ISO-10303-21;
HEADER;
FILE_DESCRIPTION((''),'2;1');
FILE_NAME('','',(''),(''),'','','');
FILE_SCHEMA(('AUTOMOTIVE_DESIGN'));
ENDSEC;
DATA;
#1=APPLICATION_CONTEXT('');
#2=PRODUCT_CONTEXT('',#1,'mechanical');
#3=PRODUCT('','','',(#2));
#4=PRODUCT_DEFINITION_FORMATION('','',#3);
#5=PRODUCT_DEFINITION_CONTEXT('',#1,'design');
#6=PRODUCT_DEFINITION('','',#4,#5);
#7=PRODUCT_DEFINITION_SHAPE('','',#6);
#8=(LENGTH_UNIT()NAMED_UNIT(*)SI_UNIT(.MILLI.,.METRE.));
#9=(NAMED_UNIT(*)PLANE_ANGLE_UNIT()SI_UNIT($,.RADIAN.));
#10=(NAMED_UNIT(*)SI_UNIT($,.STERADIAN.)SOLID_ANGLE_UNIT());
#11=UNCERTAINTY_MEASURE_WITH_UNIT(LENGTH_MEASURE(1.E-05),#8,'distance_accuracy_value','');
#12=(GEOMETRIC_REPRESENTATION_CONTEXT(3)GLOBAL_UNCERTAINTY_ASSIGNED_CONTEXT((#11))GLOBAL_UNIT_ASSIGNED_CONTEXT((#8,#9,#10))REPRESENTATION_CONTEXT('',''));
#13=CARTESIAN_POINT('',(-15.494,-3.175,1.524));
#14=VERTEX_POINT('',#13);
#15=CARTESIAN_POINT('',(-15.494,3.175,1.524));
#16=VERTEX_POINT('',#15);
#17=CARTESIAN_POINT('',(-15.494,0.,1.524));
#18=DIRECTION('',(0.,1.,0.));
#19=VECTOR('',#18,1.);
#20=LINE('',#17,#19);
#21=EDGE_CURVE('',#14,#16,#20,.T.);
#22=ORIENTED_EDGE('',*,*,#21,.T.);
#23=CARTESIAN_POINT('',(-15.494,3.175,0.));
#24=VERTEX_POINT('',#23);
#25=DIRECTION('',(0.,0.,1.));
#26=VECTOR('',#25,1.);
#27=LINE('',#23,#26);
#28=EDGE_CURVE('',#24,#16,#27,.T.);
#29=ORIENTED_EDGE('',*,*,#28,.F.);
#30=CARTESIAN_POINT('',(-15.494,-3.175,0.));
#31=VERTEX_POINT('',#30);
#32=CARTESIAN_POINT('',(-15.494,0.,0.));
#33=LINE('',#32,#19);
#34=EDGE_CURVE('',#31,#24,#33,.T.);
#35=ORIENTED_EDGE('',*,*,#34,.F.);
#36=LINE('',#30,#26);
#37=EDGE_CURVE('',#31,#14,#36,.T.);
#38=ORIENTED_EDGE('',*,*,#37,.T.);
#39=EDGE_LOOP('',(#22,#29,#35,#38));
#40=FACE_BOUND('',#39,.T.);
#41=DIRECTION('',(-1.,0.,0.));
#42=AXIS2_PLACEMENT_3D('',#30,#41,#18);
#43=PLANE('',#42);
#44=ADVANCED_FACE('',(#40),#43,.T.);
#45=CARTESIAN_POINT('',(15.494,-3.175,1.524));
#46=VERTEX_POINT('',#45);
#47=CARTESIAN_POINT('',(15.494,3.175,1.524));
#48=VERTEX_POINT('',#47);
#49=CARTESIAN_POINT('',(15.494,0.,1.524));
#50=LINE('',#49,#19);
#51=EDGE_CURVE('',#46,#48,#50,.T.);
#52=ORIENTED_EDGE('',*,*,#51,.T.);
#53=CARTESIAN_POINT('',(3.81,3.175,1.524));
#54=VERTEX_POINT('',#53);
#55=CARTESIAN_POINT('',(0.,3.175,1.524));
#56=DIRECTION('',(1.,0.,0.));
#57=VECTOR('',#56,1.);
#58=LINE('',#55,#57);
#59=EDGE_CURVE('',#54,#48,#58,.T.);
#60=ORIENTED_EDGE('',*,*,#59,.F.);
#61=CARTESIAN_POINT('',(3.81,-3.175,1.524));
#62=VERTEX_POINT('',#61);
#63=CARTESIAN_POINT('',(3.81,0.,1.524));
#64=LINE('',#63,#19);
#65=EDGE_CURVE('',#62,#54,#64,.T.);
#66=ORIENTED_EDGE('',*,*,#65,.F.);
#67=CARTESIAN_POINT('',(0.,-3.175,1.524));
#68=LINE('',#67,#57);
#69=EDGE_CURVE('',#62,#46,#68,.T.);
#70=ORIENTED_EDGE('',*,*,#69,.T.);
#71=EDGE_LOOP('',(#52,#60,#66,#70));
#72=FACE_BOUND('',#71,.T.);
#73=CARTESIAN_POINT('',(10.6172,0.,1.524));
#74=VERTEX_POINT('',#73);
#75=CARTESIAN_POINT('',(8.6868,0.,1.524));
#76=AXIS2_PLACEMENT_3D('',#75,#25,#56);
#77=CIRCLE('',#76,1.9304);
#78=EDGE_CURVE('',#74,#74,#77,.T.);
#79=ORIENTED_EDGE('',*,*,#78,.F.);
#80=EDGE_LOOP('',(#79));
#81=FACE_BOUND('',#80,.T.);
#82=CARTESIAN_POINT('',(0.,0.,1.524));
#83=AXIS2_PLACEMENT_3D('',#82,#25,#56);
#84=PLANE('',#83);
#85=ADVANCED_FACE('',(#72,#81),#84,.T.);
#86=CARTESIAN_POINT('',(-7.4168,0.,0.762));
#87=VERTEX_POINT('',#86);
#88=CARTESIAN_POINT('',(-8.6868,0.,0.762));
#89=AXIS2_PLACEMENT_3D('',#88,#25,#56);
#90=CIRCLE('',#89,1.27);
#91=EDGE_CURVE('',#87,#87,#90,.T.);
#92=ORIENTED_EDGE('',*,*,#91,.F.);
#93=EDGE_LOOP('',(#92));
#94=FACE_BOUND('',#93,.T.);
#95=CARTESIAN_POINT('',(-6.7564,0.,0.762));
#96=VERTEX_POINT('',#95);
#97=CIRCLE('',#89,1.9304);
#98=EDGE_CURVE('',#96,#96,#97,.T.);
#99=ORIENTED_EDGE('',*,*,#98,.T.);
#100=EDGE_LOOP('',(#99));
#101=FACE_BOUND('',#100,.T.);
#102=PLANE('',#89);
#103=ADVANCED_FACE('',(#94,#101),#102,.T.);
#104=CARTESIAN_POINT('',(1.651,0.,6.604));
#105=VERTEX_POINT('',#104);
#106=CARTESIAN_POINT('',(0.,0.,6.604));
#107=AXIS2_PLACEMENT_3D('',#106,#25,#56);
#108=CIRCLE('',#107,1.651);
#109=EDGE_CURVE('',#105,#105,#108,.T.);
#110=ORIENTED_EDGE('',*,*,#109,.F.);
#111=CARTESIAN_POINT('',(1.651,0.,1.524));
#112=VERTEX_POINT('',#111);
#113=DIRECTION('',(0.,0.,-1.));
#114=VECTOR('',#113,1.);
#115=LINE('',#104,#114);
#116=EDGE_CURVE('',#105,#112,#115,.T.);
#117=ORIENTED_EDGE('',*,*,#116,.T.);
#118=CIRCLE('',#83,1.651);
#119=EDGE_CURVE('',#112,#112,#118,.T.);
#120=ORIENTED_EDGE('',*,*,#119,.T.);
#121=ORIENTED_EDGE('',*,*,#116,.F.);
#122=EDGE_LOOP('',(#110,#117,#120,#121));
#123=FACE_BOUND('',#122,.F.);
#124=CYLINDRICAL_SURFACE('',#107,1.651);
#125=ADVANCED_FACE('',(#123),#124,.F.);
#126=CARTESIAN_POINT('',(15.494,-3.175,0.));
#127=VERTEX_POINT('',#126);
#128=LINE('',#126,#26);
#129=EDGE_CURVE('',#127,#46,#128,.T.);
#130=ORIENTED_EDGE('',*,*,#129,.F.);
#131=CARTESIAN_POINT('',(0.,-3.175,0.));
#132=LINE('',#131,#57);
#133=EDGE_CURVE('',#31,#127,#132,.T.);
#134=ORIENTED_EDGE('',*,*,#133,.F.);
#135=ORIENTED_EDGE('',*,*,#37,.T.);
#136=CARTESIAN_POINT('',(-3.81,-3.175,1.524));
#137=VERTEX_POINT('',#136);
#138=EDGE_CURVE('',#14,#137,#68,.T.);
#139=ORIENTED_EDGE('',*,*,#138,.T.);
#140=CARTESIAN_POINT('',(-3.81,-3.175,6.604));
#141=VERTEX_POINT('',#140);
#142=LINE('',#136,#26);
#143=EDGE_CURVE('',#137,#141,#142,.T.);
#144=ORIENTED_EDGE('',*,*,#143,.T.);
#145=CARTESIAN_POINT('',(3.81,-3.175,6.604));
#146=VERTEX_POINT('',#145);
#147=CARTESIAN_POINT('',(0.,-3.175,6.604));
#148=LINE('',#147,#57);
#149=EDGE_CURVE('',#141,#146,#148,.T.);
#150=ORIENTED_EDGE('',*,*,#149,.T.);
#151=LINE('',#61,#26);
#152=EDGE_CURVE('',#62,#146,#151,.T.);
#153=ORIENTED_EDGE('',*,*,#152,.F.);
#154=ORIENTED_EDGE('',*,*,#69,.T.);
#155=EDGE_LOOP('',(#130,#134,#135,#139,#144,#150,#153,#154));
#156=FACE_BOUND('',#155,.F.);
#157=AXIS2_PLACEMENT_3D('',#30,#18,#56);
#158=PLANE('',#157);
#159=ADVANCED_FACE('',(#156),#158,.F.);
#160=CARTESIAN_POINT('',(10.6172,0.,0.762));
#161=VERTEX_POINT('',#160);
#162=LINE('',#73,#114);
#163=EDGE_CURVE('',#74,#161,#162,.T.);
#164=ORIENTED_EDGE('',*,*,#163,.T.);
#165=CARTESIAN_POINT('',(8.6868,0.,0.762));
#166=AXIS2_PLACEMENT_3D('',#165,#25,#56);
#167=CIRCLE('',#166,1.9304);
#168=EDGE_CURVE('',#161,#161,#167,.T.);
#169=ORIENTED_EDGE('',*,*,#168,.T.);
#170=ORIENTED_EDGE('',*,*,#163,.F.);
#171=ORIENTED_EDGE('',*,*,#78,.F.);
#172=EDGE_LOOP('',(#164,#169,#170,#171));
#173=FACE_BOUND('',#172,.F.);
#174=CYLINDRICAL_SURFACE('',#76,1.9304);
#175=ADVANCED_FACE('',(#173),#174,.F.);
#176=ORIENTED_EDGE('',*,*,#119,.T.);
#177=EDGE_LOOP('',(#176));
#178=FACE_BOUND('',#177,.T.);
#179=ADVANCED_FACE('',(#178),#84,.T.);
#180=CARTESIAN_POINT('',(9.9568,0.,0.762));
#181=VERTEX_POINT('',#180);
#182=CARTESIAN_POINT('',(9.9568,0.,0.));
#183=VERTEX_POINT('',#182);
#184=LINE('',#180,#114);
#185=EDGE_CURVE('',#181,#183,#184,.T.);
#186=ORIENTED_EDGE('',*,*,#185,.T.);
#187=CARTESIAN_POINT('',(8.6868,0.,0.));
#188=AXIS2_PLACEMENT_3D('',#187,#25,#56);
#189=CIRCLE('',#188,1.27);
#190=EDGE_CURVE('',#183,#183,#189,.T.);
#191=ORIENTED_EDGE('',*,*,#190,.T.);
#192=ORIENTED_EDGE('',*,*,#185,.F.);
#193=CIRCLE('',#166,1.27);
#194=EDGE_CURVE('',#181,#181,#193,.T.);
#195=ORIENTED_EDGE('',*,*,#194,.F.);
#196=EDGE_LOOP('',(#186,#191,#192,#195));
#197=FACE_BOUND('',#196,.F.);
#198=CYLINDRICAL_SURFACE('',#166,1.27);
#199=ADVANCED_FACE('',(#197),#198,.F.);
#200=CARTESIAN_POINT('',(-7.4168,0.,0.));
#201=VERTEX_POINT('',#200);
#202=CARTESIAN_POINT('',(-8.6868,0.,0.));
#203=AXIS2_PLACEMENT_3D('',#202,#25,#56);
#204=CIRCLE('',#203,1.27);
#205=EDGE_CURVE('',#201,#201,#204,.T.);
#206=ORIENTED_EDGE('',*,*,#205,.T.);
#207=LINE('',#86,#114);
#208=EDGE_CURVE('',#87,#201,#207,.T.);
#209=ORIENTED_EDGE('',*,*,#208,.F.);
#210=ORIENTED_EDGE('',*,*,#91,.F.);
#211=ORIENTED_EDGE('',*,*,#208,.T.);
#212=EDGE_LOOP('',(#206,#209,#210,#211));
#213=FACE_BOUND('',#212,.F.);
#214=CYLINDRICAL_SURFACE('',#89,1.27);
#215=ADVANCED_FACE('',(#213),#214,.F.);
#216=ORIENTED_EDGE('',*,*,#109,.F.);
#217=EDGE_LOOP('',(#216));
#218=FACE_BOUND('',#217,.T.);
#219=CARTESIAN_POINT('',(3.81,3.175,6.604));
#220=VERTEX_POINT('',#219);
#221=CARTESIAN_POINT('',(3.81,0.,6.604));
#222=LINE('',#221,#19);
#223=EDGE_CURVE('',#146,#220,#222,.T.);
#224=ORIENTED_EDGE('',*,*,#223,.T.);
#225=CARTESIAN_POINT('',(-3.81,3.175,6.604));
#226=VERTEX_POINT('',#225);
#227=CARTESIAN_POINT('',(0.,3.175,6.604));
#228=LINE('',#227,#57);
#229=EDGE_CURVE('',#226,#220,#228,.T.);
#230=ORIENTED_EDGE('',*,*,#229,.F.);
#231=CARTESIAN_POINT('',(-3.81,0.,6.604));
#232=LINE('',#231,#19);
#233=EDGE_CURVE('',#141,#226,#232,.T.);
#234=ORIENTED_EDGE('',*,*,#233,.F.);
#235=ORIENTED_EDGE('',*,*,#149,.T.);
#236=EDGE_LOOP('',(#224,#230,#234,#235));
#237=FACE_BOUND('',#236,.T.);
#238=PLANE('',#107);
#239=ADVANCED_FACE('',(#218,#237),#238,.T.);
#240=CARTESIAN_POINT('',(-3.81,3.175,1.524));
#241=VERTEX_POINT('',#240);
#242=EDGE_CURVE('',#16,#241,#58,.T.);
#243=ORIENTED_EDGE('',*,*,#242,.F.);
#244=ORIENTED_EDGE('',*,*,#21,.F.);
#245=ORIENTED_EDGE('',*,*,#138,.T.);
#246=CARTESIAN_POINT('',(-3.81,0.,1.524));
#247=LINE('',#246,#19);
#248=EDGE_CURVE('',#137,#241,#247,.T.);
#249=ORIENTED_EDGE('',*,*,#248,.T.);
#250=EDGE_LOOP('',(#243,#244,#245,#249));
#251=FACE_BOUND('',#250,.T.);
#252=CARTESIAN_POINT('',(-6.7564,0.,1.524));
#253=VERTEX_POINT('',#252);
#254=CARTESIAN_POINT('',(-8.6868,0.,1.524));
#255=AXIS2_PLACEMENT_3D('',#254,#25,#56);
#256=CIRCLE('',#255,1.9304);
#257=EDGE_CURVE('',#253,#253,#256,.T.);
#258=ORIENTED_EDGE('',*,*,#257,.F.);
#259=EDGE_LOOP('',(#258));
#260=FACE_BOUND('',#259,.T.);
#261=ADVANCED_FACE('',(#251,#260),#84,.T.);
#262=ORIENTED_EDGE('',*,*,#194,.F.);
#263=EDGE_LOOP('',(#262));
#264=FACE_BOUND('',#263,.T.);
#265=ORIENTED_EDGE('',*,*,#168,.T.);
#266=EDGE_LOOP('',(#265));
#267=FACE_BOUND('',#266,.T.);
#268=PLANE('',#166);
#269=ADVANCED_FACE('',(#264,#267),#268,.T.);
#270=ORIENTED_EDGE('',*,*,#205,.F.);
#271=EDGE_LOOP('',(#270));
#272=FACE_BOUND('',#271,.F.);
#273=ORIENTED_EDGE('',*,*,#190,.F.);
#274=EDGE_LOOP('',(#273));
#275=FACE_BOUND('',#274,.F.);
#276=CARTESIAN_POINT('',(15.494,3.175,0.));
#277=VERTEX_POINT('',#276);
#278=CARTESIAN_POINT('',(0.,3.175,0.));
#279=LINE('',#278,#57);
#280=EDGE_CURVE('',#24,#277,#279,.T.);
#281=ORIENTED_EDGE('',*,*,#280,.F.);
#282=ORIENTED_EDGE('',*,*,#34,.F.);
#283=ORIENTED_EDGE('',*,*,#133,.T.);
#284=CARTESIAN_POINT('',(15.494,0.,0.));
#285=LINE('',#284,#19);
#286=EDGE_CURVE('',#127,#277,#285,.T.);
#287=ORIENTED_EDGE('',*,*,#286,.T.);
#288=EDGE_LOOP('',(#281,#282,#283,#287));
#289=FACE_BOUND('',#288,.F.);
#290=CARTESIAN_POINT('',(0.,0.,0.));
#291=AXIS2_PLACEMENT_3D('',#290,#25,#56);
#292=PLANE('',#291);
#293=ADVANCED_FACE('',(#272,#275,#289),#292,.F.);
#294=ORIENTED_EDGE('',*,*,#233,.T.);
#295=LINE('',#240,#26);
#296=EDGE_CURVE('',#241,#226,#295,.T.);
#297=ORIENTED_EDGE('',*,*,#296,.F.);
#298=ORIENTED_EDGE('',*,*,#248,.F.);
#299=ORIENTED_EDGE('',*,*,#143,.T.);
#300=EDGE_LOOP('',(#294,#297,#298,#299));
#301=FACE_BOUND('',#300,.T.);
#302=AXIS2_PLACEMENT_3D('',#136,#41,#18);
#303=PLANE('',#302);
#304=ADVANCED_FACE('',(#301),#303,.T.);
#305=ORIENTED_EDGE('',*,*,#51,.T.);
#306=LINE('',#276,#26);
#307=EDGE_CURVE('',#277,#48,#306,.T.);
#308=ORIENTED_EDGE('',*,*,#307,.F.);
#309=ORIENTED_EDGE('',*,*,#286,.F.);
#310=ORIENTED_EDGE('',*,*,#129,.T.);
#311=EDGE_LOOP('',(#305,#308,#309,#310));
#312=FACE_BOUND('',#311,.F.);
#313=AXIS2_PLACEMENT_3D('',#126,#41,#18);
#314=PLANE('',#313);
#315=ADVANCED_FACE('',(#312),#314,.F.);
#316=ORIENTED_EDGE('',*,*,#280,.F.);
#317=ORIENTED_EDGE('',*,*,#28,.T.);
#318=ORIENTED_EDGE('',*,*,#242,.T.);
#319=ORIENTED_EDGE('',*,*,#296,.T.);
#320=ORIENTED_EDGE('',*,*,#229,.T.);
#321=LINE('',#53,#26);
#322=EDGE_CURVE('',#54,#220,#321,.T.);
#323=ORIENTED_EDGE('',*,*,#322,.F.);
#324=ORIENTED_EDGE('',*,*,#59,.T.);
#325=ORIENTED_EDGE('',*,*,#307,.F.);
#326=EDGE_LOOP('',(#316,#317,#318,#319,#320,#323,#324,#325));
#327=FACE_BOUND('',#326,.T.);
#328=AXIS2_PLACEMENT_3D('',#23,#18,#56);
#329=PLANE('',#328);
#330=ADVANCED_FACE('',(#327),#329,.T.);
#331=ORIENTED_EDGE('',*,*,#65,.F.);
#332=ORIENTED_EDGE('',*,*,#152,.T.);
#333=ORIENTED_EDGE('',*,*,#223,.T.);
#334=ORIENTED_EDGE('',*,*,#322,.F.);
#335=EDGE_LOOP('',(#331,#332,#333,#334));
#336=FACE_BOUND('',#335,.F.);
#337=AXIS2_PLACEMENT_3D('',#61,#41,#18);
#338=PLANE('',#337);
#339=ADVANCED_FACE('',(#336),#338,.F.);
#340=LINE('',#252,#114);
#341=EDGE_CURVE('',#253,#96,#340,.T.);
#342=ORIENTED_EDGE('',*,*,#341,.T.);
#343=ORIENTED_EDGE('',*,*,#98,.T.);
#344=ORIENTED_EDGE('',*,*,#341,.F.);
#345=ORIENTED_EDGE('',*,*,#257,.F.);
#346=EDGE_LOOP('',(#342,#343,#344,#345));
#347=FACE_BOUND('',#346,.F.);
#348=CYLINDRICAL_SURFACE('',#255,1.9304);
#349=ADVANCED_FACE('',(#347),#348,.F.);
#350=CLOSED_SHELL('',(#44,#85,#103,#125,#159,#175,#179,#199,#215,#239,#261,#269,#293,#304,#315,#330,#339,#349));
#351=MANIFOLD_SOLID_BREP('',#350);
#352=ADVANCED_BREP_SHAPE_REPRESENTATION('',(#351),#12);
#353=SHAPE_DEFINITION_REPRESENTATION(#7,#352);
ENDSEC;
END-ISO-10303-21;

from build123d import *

# Parameters (mm, degrees)
F0_W     = 30.988
F0_H     = 6.35
F1_DEPTH = 1.524
F2_R     = 1.9304
F3_DEPTH = 0.762
F4_R     = 1.27
F5_DEPTH = 0.762
F6_W     = 7.62
F6_H     = 6.35
F7_DEPTH = 5.08
F8_R     = 1.651
F9_DEPTH = 5.08


with BuildPart() as f1:
    # F0 (on Top) → F1 (new body)
    with BuildSketch(Plane.XY):
        Rectangle(F0_W, F0_H)
    extrude(amount=F1_DEPTH)

    # F2 (on face) → F3 (cut)
    with BuildSketch(Plane.XY.offset(1.524)):
        with Locations((-8.6868, 0)):
            Circle(F2_R)
        with Locations((8.6868, 0)):
            Circle(F2_R)
    extrude(amount=-F3_DEPTH, mode=Mode.SUBTRACT)

    # F4 (on face) → F5 (cut)
    with BuildSketch(Plane.XY.offset(0.762)):
        with Locations((-8.6868, 0)):
            Circle(F4_R)
        with Locations((8.6868, 0)):
            Circle(F4_R)
    extrude(amount=-F5_DEPTH, mode=Mode.SUBTRACT)

    # F6 (on face) → F7 (join)
    with BuildSketch(Plane.XY.offset(1.524)):
        Rectangle(F6_W, F6_H)
    extrude(amount=F7_DEPTH)

    # F8 (on face) → F9 (cut)
    with BuildSketch(Plane.XY.offset(6.604)):
        Circle(F8_R)
    extrude(amount=-F9_DEPTH, mode=Mode.SUBTRACT)


solid = f1.part
